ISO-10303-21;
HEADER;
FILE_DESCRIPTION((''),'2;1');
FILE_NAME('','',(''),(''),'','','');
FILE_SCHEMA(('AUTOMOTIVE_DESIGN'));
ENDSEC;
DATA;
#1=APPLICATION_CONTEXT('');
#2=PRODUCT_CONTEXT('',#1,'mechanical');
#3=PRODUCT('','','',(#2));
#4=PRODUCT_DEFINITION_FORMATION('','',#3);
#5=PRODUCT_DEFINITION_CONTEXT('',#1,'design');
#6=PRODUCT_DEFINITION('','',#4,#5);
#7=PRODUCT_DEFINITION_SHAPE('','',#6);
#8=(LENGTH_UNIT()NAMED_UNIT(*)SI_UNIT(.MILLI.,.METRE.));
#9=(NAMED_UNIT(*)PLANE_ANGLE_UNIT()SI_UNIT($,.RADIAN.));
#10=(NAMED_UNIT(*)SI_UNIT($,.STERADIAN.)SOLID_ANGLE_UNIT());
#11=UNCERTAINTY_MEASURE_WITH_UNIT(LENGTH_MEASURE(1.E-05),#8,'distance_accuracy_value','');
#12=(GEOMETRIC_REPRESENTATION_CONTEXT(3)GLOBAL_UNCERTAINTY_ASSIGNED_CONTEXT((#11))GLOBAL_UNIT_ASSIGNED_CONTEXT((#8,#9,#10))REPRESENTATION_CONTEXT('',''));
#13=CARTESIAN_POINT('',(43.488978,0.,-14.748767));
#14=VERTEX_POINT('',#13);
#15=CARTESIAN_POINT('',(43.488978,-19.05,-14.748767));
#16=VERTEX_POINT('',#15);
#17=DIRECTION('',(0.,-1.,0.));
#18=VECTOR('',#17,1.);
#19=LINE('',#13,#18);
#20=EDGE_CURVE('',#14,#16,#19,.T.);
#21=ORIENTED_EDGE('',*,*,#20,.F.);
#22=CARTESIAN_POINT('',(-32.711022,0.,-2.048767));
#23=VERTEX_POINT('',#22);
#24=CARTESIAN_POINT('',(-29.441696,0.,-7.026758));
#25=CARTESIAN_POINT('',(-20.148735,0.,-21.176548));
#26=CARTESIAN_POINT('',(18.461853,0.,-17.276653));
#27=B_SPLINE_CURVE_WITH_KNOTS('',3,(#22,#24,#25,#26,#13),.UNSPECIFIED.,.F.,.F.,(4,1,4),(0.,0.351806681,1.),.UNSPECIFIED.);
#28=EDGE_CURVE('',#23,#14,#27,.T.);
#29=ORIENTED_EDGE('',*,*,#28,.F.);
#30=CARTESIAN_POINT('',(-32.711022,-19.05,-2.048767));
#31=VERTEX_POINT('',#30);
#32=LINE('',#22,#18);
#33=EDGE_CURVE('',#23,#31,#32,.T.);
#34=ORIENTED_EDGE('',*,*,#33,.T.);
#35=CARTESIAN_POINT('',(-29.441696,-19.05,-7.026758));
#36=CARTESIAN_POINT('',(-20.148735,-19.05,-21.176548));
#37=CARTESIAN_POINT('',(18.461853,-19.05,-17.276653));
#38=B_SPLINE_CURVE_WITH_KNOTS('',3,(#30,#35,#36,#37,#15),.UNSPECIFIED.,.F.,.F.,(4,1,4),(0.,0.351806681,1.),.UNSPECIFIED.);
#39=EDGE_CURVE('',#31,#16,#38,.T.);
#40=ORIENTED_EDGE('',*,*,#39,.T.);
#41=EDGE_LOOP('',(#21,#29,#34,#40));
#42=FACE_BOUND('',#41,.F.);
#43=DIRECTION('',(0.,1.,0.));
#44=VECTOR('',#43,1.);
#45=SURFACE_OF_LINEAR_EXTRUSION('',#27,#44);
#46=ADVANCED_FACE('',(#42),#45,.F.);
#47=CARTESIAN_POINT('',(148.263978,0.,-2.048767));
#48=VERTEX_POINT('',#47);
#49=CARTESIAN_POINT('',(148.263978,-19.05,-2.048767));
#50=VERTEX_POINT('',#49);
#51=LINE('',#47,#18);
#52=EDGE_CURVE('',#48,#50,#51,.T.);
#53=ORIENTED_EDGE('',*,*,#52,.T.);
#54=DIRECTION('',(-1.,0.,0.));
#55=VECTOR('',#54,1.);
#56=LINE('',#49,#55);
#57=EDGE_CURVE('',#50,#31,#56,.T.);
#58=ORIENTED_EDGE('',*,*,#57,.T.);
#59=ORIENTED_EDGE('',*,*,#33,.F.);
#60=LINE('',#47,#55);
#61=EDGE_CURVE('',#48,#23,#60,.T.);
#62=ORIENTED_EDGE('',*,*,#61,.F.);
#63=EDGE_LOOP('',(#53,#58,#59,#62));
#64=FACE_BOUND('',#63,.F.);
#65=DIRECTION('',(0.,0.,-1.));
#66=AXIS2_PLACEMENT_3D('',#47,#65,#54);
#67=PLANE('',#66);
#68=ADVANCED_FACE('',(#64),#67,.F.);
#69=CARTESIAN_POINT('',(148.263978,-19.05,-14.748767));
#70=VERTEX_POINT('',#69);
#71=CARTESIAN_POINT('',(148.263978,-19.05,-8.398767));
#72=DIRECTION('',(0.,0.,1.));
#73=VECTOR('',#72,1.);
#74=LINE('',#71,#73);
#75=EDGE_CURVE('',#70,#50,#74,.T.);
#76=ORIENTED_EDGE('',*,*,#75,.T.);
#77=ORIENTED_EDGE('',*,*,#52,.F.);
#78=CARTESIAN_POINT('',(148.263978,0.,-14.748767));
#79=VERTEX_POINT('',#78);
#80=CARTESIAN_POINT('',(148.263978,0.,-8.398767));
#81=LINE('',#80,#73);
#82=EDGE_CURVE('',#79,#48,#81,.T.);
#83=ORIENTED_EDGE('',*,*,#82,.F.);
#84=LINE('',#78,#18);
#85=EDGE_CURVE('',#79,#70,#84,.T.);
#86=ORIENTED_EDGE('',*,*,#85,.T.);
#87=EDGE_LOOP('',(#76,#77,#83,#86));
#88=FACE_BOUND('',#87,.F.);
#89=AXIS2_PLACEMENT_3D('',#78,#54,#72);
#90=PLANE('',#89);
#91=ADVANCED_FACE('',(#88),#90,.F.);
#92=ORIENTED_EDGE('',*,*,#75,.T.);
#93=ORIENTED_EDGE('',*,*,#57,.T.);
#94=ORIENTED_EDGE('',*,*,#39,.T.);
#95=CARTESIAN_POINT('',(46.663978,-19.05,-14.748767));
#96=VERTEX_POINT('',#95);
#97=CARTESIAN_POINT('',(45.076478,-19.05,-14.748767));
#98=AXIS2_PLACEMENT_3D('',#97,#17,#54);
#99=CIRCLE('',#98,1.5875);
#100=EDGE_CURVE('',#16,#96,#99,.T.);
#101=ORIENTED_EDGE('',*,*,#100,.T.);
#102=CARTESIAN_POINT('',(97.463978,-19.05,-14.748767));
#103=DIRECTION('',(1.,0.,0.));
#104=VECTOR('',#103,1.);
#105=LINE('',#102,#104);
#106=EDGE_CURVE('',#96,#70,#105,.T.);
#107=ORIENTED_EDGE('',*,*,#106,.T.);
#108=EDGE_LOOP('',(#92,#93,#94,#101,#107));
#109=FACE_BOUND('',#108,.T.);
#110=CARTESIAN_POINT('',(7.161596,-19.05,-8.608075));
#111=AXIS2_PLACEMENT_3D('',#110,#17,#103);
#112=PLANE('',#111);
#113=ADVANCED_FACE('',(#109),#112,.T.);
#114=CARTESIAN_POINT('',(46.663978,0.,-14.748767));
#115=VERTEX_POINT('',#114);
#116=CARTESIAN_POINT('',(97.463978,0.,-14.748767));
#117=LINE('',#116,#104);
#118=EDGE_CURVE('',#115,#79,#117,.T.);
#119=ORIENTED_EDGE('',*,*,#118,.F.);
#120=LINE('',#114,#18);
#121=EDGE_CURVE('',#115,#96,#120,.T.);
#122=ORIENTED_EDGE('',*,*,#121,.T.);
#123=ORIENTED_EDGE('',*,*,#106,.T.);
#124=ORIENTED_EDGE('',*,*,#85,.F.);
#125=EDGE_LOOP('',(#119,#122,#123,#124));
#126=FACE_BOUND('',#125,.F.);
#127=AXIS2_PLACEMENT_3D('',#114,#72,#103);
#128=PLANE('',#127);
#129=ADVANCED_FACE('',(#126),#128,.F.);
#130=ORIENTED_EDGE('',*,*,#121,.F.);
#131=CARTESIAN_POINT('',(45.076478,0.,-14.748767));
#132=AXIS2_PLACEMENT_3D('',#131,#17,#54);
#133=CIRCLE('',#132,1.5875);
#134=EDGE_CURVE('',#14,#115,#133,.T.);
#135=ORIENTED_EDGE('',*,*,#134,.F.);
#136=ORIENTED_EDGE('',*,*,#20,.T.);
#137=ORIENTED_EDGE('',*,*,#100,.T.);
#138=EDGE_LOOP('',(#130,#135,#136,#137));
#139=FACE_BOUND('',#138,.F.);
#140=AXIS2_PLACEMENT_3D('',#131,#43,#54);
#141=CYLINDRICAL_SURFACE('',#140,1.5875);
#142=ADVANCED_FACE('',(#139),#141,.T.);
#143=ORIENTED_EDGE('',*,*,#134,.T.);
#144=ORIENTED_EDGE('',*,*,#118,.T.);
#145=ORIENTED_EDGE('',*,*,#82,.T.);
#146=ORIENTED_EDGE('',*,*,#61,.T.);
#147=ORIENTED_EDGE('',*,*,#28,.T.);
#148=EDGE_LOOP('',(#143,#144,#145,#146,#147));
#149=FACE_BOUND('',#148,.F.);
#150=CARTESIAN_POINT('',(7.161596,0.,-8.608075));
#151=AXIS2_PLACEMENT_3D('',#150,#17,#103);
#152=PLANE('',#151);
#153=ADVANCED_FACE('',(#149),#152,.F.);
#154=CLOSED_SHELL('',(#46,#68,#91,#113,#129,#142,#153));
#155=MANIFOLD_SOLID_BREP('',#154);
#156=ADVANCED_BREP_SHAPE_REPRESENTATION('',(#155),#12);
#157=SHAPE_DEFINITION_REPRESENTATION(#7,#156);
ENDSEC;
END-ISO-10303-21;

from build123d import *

# Parameters (mm, degrees)
F0_W     = 3.175
F0_H     = 12.7
F0_W_2   = 101.6
F1_DEPTH = 19.05


with BuildPart() as f1:
    # F0 (on Front) → F1 (new body)
    with BuildSketch(Plane.XZ):
        with BuildLine():
            Line((43.4889783978, -2.0487671718), (-32.7110216022, -2.0487671718))
            add(Edge.make_bspline(
                [(-32.7110216022, -2.0487671718), (-29.4416958561, -7.0267579807), (-20.1487349225, -21.1765483987), (18.4618531684, -17.2766531897), (43.4889783978, -14.7487671718)],
                knots=[0, 0, 0, 0, 0.3518066814, 1, 1, 1, 1], degree=3))
            Line((43.4889783978, -14.7487671718), (43.4889783978, -2.0487671718))
        make_face()
        with Locations((45.0764783978, -8.3987671718)):
            Rectangle(F0_W, F0_H)
        with BuildLine():
            Line((46.6639783978, -14.7487671718), (43.4889783978, -14.7487671718))
            ThreePointArc((43.4889783978, -14.7487671718), (45.0764783978, -16.3362671718), (46.6639783978, -14.7487671718))
        make_face()
        with Locations((97.4639783978, -8.3987671718)):
            Rectangle(F0_W_2, F0_H)
    extrude(amount=F1_DEPTH)


solid = f1.part
